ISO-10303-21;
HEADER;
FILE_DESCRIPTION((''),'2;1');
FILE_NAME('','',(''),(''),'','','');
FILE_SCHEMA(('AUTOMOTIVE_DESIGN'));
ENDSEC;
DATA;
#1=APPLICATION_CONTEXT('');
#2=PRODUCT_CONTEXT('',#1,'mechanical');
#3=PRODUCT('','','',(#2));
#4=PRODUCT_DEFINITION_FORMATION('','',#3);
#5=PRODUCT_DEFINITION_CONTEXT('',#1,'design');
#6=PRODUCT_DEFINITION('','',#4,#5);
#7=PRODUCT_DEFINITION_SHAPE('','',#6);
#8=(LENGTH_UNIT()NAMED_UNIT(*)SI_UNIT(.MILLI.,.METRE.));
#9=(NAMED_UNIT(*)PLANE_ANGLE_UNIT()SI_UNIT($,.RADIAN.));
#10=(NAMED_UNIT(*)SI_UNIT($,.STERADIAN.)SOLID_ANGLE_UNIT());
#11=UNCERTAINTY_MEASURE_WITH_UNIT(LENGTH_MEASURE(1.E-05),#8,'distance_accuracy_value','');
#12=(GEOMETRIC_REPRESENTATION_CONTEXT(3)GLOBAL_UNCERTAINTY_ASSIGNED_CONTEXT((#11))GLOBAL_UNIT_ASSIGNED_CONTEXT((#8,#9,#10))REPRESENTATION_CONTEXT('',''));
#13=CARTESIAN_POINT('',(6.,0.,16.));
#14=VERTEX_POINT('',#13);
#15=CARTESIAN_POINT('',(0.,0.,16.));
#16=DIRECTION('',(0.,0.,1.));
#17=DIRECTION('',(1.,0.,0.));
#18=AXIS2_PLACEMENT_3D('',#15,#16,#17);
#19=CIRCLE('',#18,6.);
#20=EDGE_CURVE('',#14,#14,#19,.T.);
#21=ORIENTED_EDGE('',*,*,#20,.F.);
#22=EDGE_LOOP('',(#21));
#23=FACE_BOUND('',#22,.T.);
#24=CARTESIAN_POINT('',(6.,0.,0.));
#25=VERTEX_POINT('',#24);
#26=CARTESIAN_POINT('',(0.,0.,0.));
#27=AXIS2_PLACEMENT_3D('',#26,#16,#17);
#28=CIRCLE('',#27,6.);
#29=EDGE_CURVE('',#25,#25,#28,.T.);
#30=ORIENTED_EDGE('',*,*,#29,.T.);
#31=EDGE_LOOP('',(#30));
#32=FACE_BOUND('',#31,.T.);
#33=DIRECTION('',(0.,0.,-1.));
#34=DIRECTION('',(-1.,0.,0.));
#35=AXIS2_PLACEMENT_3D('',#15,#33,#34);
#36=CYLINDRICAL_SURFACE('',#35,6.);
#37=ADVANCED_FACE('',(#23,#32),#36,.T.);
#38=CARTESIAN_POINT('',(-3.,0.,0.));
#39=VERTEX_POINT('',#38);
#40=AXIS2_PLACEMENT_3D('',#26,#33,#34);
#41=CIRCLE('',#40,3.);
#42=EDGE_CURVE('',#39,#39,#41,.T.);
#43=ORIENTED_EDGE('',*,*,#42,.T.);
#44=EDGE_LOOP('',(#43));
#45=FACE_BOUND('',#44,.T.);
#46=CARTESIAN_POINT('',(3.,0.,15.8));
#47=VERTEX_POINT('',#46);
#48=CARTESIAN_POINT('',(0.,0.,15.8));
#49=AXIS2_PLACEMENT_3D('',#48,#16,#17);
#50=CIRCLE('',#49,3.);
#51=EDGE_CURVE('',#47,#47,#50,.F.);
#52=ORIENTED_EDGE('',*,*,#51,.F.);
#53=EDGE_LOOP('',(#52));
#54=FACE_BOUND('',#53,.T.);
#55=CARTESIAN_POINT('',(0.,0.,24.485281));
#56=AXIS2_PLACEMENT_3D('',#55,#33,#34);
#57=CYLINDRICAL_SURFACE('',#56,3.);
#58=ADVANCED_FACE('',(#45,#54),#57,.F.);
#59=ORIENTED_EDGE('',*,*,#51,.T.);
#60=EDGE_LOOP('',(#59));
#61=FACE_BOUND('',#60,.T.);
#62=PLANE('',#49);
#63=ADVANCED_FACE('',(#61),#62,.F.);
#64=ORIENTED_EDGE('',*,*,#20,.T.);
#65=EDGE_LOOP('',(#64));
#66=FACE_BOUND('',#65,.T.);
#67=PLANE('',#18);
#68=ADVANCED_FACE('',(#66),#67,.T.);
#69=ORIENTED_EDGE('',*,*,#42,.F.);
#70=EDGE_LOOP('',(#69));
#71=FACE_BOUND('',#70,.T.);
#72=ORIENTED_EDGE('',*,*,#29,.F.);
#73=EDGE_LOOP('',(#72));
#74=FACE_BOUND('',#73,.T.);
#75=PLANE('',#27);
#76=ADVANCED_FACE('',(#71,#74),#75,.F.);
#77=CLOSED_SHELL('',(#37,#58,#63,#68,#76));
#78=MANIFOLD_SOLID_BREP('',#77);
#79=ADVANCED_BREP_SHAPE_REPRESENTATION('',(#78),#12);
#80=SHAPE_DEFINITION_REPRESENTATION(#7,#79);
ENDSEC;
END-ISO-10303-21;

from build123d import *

# Parameters (mm, degrees)
SKETCH2_R           = 6
BOSS_EXTRUDE1_DEPTH = 16
SKETCH3_R           = 3
CUT_EXTRUDE1_DEPTH  = 15.8


with BuildPart() as part:
    # Sketch2 → Boss-Extrude1 (new body)
    with BuildSketch(Plane.XY):
        Circle(SKETCH2_R)
    extrude(amount=BOSS_EXTRUDE1_DEPTH)

    # Sketch3 → Cut-Extrude1 (cut)
    with BuildSketch(Plane(origin=(0, 0, 0), x_dir=(-1, 0, 0), z_dir=(0, 0, -1))):
        Circle(SKETCH3_R)
    extrude(amount=-CUT_EXTRUDE1_DEPTH, mode=Mode.SUBTRACT)


solid = part.part
